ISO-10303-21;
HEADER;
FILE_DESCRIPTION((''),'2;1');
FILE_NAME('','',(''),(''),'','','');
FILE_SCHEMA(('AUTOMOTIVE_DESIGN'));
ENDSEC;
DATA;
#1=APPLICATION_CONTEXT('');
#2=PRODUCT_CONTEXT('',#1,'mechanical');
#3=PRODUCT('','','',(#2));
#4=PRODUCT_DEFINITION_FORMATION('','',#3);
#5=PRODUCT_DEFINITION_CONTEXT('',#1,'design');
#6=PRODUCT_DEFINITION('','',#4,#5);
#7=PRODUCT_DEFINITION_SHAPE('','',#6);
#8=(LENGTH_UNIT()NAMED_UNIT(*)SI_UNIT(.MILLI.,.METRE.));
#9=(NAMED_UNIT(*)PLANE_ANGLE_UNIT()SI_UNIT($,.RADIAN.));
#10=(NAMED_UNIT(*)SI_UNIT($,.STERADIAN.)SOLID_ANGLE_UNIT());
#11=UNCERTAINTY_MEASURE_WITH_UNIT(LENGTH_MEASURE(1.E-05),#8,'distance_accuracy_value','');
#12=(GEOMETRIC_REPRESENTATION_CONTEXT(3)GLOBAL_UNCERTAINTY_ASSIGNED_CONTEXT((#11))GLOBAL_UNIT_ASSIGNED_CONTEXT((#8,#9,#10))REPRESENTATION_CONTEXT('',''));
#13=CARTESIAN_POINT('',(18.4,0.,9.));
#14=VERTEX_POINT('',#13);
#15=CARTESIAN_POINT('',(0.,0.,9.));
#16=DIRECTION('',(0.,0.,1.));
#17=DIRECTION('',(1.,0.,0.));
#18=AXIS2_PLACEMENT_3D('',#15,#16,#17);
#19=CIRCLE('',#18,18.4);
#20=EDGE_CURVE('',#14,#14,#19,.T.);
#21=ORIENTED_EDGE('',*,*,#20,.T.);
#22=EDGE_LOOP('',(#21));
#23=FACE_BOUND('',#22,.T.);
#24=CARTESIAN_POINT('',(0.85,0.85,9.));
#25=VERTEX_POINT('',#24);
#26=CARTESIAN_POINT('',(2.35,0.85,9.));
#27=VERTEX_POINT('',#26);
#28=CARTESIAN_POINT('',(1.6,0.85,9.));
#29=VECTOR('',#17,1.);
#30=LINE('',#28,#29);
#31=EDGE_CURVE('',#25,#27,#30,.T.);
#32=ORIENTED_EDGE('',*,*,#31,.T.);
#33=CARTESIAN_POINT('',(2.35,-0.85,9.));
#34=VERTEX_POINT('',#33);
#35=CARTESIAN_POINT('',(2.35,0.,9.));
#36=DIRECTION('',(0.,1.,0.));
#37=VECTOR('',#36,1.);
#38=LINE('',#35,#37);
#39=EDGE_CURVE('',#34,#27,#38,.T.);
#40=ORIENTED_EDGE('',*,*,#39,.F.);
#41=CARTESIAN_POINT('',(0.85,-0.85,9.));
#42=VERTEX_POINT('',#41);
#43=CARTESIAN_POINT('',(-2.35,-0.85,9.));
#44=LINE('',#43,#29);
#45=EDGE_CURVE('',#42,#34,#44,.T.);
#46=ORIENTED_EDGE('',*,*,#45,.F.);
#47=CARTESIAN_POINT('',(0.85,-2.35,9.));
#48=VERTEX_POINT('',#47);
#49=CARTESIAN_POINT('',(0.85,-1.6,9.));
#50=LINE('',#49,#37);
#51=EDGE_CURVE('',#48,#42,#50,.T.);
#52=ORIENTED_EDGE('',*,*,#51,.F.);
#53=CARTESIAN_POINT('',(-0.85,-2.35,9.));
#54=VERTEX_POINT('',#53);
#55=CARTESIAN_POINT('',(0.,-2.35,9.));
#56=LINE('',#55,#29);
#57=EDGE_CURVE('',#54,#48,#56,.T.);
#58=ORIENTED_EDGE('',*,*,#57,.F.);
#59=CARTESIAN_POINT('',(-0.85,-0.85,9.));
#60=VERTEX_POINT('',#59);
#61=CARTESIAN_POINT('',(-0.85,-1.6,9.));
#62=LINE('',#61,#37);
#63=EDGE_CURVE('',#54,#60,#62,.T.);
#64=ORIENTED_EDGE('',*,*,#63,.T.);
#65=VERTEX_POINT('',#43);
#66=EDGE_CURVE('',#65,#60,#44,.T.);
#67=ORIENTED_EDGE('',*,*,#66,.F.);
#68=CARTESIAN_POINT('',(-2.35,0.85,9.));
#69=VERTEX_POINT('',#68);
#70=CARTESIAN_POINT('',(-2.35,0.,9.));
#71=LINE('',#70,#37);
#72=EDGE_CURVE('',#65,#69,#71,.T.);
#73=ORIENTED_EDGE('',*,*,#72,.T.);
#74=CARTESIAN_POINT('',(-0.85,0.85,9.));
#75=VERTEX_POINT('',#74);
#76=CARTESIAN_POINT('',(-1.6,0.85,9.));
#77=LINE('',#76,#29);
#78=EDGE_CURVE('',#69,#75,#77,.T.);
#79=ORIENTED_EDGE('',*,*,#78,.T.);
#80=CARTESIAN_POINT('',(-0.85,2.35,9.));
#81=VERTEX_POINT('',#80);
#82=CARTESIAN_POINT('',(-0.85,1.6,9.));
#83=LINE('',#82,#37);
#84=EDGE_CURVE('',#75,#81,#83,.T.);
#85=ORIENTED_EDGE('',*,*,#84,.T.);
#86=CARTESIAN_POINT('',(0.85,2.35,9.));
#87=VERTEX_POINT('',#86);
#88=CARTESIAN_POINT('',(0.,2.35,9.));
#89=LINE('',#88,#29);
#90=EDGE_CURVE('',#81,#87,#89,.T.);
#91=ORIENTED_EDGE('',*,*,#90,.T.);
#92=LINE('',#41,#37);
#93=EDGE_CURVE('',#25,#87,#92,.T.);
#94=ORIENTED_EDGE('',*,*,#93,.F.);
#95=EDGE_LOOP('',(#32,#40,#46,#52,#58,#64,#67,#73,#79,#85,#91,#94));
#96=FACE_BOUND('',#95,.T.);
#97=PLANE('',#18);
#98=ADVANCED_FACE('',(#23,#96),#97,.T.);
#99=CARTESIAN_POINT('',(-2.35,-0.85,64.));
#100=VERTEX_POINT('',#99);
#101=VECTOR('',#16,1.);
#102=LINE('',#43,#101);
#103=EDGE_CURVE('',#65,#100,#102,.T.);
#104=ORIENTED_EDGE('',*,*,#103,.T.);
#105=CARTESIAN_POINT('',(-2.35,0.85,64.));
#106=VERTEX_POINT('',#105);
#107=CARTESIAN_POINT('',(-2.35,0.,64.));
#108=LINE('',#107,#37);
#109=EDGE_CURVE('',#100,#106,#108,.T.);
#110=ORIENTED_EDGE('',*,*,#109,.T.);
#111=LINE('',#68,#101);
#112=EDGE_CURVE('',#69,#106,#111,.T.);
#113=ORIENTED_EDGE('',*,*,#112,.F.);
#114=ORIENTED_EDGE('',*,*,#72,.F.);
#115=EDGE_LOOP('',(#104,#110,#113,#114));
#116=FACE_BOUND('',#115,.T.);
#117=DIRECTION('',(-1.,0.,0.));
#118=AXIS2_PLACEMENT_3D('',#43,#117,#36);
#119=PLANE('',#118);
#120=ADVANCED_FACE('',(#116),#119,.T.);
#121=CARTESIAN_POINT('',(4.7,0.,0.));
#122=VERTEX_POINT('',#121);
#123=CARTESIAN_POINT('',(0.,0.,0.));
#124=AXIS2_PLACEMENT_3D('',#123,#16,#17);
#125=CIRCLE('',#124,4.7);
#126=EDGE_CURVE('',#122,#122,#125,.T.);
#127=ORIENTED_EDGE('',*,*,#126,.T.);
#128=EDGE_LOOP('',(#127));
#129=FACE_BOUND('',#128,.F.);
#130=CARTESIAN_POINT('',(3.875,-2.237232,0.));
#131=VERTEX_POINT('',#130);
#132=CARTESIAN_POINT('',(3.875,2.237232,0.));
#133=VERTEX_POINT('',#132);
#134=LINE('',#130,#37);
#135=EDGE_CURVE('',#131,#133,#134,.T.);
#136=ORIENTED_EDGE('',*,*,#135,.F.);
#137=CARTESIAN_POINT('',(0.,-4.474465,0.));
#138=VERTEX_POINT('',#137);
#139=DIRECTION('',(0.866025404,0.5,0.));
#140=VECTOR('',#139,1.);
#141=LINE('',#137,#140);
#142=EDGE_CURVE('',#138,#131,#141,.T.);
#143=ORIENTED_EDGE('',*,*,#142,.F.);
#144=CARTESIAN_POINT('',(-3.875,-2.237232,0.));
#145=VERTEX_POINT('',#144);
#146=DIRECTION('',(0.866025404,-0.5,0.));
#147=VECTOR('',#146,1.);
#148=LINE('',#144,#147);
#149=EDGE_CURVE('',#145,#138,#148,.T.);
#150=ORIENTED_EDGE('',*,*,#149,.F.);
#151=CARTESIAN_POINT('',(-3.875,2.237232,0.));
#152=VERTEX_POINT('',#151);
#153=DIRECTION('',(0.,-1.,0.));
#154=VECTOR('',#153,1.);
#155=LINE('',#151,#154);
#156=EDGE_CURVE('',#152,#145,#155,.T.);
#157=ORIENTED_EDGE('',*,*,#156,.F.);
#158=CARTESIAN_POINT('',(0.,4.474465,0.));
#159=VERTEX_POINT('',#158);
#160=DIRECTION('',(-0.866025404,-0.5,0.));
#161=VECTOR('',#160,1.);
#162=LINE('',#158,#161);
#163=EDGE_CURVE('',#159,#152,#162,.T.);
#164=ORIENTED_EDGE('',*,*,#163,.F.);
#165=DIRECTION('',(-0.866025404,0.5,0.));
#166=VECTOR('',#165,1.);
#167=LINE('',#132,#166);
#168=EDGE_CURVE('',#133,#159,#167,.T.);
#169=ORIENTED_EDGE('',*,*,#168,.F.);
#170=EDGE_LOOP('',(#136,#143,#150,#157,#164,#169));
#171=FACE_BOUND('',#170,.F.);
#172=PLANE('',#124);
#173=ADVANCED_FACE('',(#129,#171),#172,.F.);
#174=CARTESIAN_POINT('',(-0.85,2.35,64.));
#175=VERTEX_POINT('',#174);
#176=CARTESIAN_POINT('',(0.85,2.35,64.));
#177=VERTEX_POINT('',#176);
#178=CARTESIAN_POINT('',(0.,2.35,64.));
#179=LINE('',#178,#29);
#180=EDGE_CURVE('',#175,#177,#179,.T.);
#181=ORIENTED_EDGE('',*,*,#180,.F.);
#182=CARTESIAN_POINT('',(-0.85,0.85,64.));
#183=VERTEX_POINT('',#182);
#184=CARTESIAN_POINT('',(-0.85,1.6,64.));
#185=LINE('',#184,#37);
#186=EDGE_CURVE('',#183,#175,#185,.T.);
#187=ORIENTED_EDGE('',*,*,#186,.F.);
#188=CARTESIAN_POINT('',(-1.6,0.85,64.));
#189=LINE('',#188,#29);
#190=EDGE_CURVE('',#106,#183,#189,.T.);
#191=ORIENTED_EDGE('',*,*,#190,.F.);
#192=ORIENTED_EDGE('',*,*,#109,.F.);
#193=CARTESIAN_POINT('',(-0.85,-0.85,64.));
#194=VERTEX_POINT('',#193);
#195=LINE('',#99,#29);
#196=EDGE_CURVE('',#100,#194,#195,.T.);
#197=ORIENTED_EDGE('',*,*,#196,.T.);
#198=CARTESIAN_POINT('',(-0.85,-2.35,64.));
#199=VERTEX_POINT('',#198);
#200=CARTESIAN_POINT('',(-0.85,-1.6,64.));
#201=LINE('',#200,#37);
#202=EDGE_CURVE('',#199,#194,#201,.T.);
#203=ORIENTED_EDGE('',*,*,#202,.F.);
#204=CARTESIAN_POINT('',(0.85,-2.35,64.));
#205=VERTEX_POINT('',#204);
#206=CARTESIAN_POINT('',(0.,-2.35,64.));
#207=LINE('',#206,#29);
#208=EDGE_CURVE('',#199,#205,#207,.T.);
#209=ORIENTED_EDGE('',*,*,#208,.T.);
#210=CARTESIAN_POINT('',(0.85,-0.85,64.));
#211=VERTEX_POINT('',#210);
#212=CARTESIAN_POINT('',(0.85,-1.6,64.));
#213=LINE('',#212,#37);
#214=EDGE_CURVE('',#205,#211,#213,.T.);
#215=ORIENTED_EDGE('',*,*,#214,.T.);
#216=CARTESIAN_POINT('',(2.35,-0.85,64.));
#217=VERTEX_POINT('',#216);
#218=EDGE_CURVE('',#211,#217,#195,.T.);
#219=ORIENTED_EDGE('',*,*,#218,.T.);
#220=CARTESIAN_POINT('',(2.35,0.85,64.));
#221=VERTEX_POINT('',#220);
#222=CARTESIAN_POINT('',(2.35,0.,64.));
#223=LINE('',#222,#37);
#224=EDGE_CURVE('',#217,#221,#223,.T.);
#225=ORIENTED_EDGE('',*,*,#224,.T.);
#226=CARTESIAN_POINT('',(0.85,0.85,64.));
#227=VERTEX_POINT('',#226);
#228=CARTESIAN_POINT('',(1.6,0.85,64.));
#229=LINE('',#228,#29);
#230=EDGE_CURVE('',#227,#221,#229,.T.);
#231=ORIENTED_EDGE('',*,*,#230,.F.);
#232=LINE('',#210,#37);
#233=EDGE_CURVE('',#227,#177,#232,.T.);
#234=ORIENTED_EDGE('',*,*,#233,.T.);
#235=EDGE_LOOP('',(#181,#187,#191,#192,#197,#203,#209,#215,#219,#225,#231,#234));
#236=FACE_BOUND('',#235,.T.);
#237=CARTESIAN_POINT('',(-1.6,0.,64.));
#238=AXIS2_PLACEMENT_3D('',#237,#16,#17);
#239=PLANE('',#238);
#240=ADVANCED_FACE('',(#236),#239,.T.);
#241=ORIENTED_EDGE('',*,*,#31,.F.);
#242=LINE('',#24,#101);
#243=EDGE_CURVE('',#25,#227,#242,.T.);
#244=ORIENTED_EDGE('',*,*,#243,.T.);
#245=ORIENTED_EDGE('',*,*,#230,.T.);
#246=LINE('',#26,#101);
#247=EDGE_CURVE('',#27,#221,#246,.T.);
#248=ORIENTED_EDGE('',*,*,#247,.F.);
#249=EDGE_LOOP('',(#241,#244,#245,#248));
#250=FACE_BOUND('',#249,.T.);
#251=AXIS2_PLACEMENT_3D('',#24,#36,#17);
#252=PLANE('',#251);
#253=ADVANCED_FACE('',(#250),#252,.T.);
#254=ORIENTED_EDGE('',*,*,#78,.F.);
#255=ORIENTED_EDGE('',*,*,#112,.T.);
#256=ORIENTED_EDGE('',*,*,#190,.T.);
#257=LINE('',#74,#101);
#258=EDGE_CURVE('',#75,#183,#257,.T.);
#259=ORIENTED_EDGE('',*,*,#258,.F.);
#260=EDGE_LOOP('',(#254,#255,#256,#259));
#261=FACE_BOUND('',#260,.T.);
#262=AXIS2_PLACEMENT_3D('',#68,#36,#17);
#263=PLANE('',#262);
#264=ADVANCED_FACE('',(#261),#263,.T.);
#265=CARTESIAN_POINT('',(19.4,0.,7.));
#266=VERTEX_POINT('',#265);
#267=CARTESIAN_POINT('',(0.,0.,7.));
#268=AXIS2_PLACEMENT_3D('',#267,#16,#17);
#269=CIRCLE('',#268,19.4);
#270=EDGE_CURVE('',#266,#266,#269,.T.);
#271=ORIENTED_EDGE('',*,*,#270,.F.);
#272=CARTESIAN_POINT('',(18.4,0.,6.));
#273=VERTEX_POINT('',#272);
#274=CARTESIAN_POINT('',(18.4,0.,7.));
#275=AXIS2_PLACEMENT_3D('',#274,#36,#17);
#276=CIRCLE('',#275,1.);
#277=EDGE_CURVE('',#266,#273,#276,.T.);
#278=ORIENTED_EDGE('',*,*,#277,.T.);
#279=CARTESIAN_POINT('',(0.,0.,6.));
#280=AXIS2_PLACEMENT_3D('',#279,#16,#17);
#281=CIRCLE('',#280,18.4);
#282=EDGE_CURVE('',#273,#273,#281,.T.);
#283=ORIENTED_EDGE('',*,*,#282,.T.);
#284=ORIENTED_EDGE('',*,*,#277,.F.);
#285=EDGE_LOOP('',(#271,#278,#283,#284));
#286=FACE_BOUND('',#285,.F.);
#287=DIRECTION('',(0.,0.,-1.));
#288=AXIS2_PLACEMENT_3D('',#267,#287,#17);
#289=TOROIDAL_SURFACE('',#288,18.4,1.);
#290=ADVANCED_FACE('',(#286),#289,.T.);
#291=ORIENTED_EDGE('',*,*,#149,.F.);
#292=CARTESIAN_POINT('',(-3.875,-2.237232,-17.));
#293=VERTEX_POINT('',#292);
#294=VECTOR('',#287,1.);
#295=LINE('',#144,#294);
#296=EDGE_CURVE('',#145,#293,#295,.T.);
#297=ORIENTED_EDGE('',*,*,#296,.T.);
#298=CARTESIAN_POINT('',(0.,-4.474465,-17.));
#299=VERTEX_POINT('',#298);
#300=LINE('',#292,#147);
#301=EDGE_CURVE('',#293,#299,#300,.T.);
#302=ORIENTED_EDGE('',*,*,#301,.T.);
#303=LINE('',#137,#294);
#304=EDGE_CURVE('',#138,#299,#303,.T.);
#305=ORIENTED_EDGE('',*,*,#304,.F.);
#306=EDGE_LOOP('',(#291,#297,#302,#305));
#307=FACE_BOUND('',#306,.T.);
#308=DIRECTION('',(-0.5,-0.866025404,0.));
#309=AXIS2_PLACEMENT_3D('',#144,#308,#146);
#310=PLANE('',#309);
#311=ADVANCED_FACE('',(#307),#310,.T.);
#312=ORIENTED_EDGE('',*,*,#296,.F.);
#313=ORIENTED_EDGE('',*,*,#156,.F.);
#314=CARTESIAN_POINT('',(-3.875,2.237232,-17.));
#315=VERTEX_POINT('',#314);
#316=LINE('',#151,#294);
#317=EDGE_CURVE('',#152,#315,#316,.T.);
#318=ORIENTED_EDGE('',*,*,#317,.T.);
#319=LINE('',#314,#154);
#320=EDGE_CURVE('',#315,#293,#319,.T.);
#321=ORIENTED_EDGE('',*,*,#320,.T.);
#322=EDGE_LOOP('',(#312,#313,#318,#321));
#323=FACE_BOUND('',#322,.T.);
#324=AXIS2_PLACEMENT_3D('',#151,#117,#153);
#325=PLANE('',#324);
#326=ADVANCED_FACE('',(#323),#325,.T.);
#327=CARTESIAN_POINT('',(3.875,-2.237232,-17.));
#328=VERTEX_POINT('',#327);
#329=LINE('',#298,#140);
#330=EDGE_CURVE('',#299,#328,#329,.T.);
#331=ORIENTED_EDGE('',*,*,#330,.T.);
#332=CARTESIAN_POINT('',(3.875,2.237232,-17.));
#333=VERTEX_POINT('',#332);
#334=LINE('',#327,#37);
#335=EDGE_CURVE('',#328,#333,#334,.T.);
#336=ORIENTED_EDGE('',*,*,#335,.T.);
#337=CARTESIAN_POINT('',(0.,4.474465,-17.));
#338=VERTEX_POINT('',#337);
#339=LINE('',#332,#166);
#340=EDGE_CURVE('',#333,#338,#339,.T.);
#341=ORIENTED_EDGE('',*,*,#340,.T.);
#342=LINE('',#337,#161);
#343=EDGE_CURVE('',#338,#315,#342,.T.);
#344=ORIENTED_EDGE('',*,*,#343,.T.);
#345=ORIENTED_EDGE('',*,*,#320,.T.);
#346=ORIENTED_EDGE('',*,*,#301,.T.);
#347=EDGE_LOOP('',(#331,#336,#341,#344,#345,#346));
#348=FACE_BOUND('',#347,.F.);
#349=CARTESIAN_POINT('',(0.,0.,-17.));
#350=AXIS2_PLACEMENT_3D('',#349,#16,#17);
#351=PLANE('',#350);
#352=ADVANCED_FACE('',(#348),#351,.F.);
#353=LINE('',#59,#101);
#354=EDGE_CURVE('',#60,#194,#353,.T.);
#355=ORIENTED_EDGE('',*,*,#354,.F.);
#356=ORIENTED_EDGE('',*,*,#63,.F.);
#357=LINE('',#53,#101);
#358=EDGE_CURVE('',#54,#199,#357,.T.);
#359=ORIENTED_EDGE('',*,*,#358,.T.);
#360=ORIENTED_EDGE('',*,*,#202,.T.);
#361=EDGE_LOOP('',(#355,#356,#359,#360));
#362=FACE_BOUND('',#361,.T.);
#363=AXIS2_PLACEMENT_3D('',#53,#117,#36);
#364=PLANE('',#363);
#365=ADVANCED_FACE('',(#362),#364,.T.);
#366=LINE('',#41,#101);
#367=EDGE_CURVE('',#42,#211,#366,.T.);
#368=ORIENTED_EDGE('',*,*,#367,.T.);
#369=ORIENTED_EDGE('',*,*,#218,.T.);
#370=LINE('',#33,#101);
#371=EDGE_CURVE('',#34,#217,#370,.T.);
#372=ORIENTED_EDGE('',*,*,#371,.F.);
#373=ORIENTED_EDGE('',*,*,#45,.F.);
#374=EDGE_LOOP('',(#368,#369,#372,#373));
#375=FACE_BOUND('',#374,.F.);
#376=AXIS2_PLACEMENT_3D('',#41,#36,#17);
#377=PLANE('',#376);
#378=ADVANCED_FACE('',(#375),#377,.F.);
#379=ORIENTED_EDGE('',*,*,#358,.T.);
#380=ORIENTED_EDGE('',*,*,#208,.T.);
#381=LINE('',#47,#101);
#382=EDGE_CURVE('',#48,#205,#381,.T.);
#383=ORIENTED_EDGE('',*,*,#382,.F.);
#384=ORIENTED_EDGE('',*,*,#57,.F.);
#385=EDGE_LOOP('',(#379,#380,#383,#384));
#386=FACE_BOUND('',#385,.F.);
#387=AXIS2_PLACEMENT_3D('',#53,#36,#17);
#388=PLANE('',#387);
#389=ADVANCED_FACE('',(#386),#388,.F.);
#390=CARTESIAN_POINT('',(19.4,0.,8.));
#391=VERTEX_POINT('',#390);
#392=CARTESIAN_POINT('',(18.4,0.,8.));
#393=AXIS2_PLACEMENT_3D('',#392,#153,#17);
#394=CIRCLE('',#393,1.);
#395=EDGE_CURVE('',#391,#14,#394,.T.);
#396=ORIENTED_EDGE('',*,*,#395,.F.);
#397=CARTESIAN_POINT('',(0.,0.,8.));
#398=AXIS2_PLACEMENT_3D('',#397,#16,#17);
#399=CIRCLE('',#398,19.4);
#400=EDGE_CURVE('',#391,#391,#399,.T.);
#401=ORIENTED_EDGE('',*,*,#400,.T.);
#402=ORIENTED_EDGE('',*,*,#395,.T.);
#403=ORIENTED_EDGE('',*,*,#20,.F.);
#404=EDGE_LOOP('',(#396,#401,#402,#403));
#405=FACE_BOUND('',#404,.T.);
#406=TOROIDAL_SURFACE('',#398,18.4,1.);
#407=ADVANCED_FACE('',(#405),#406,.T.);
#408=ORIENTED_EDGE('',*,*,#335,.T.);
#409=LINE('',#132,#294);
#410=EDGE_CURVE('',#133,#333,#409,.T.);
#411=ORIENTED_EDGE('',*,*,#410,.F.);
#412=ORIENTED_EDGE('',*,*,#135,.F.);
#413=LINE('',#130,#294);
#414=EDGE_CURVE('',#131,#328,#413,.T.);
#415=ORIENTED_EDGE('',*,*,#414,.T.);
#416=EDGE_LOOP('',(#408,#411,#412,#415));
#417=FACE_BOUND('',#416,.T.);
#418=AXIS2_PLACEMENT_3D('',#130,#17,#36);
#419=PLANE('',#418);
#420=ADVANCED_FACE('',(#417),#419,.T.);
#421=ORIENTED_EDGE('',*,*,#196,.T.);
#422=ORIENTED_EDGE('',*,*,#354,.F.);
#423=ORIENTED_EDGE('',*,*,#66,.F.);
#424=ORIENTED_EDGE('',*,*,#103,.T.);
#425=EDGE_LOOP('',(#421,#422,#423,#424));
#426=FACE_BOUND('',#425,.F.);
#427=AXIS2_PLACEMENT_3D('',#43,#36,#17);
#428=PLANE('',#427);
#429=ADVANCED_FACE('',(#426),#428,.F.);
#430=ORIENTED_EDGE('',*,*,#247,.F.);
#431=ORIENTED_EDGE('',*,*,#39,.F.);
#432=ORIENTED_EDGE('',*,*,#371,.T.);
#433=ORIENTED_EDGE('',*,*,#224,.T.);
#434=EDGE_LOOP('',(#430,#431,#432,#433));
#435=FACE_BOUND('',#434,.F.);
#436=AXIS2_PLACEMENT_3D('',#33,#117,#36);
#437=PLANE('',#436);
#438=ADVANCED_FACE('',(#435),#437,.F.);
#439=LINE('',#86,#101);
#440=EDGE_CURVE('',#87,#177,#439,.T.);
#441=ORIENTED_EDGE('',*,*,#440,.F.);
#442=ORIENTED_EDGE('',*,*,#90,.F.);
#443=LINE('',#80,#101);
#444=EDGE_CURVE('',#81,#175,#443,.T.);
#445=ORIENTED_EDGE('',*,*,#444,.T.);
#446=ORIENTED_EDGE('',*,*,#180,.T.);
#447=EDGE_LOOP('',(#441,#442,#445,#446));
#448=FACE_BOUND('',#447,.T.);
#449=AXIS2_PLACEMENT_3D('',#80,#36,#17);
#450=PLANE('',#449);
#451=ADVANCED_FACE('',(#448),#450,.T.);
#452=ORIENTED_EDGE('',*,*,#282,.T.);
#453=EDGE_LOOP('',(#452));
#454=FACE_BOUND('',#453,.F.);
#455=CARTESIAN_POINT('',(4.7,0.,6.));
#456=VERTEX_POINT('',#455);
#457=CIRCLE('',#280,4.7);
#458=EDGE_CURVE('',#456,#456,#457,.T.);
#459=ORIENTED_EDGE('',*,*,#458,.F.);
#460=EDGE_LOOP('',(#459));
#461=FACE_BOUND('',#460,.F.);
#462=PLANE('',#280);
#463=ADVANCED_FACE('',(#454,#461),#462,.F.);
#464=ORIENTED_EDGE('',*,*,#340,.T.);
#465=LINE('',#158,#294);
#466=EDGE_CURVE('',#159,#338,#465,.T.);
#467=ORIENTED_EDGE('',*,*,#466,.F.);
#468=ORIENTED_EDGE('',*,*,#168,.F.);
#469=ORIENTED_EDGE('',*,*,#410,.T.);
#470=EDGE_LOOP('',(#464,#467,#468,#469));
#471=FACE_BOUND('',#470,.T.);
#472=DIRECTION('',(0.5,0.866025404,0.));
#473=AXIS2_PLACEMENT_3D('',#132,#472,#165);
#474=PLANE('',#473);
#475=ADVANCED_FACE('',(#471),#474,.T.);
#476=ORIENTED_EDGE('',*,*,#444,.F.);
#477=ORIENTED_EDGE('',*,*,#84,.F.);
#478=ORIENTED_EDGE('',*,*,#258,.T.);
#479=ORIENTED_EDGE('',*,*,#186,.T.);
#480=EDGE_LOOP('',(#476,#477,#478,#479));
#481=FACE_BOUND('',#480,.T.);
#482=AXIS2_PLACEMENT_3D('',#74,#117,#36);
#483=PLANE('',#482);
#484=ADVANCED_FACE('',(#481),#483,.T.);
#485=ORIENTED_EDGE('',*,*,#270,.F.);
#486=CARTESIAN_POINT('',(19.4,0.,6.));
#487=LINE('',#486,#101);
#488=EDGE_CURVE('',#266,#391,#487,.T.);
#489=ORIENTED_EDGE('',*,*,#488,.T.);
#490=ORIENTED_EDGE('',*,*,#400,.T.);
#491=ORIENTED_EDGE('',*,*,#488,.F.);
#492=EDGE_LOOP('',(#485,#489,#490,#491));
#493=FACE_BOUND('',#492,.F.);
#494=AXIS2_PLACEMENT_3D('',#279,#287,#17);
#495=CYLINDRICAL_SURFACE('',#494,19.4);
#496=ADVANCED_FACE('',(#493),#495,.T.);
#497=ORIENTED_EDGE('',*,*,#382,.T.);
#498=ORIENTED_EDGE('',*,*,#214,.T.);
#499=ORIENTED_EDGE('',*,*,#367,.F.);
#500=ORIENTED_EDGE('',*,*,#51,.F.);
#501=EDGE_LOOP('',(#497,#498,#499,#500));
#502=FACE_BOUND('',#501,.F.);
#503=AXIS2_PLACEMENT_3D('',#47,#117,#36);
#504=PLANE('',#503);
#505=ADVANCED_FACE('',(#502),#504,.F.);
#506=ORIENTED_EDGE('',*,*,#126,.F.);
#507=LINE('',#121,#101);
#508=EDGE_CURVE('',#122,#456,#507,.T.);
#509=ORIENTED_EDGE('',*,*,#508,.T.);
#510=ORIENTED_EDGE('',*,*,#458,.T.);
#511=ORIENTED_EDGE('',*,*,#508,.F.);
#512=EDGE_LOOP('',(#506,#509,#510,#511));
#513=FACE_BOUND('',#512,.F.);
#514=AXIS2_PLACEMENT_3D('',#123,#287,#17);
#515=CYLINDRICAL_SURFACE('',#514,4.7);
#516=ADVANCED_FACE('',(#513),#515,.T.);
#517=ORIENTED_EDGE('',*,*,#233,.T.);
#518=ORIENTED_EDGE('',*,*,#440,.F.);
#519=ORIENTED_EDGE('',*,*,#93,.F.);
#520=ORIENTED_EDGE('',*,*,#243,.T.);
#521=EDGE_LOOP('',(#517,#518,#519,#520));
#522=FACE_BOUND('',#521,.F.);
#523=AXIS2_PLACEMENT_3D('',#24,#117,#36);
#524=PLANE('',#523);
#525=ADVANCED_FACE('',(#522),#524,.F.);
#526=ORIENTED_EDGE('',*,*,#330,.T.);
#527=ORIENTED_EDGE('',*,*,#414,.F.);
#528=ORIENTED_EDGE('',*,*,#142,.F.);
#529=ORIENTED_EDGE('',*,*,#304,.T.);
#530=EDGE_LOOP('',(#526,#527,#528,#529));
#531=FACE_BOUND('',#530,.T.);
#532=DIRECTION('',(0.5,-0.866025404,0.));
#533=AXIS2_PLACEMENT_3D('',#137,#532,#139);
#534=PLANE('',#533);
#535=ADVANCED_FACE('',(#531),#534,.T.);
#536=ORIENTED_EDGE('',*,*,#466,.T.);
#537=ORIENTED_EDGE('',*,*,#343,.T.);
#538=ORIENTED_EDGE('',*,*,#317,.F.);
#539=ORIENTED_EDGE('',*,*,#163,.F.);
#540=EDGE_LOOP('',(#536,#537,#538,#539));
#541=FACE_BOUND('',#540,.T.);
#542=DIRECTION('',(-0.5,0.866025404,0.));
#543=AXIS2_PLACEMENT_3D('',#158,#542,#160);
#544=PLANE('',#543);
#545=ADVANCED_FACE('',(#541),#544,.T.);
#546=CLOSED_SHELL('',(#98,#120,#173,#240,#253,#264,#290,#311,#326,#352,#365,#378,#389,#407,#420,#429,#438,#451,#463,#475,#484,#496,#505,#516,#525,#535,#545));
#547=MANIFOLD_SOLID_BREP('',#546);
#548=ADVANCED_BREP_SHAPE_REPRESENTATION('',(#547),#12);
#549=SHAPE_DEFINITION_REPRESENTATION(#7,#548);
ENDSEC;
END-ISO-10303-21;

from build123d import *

# Parameters (mm, degrees)
F1_DEPTH = 17
F2_R     = 4.7
F3_DEPTH = 6
F4_R     = 19.4
F5_DEPTH = 3
F6_W     = 1.5
F6_H     = 1.7
F6_W_2   = 1.7
F6_H_2   = 1.5
F7_DEPTH = 55
F8_R     = 1


with BuildPart() as f1:
    # F0 (on Top) → F1 (new body)
    with BuildSketch(Plane.XY):
        Polygon((3.875, -2.2372322931), (3.875, 2.2372322931), (0, 4.4744645862), (-3.875, 2.2372322931), (-3.875, -2.2372322931), (0, -4.4744645862), align=None)
    extrude(amount=-F1_DEPTH)

    # F2 (on face) → F3 (join)
    with BuildSketch(Plane.XY):
        Circle(F2_R)
    extrude(amount=F3_DEPTH)

    # F4 (on face) → F5 (join)
    with BuildSketch(Plane.XY.offset(6)):
        Circle(F4_R)
    extrude(amount=F5_DEPTH)

    # F6 (on face) → F7 (join)
    with BuildSketch(Plane.XY.offset(9)):
        with Locations((-1.6, 0)):
            Rectangle(F6_W, F6_H)
        with Locations((0, 1.6)):
            Rectangle(F6_W_2, F6_H_2)
        Rectangle(F6_W_2, F6_H)
        with Locations((1.6, 0)):
            Rectangle(F6_W, F6_H)
        with Locations((0, -1.6)):
            Rectangle(F6_W_2, F6_H_2)
    extrude(amount=F7_DEPTH)

    # F8
    f8_edges = [f1.edges().sort_by_distance(p)[0] for p in [
        (-19.4, 0, 6),
        (-19.4, 0, 9),
    ]]
    fillet(f8_edges, radius=F8_R)


solid = f1.part
